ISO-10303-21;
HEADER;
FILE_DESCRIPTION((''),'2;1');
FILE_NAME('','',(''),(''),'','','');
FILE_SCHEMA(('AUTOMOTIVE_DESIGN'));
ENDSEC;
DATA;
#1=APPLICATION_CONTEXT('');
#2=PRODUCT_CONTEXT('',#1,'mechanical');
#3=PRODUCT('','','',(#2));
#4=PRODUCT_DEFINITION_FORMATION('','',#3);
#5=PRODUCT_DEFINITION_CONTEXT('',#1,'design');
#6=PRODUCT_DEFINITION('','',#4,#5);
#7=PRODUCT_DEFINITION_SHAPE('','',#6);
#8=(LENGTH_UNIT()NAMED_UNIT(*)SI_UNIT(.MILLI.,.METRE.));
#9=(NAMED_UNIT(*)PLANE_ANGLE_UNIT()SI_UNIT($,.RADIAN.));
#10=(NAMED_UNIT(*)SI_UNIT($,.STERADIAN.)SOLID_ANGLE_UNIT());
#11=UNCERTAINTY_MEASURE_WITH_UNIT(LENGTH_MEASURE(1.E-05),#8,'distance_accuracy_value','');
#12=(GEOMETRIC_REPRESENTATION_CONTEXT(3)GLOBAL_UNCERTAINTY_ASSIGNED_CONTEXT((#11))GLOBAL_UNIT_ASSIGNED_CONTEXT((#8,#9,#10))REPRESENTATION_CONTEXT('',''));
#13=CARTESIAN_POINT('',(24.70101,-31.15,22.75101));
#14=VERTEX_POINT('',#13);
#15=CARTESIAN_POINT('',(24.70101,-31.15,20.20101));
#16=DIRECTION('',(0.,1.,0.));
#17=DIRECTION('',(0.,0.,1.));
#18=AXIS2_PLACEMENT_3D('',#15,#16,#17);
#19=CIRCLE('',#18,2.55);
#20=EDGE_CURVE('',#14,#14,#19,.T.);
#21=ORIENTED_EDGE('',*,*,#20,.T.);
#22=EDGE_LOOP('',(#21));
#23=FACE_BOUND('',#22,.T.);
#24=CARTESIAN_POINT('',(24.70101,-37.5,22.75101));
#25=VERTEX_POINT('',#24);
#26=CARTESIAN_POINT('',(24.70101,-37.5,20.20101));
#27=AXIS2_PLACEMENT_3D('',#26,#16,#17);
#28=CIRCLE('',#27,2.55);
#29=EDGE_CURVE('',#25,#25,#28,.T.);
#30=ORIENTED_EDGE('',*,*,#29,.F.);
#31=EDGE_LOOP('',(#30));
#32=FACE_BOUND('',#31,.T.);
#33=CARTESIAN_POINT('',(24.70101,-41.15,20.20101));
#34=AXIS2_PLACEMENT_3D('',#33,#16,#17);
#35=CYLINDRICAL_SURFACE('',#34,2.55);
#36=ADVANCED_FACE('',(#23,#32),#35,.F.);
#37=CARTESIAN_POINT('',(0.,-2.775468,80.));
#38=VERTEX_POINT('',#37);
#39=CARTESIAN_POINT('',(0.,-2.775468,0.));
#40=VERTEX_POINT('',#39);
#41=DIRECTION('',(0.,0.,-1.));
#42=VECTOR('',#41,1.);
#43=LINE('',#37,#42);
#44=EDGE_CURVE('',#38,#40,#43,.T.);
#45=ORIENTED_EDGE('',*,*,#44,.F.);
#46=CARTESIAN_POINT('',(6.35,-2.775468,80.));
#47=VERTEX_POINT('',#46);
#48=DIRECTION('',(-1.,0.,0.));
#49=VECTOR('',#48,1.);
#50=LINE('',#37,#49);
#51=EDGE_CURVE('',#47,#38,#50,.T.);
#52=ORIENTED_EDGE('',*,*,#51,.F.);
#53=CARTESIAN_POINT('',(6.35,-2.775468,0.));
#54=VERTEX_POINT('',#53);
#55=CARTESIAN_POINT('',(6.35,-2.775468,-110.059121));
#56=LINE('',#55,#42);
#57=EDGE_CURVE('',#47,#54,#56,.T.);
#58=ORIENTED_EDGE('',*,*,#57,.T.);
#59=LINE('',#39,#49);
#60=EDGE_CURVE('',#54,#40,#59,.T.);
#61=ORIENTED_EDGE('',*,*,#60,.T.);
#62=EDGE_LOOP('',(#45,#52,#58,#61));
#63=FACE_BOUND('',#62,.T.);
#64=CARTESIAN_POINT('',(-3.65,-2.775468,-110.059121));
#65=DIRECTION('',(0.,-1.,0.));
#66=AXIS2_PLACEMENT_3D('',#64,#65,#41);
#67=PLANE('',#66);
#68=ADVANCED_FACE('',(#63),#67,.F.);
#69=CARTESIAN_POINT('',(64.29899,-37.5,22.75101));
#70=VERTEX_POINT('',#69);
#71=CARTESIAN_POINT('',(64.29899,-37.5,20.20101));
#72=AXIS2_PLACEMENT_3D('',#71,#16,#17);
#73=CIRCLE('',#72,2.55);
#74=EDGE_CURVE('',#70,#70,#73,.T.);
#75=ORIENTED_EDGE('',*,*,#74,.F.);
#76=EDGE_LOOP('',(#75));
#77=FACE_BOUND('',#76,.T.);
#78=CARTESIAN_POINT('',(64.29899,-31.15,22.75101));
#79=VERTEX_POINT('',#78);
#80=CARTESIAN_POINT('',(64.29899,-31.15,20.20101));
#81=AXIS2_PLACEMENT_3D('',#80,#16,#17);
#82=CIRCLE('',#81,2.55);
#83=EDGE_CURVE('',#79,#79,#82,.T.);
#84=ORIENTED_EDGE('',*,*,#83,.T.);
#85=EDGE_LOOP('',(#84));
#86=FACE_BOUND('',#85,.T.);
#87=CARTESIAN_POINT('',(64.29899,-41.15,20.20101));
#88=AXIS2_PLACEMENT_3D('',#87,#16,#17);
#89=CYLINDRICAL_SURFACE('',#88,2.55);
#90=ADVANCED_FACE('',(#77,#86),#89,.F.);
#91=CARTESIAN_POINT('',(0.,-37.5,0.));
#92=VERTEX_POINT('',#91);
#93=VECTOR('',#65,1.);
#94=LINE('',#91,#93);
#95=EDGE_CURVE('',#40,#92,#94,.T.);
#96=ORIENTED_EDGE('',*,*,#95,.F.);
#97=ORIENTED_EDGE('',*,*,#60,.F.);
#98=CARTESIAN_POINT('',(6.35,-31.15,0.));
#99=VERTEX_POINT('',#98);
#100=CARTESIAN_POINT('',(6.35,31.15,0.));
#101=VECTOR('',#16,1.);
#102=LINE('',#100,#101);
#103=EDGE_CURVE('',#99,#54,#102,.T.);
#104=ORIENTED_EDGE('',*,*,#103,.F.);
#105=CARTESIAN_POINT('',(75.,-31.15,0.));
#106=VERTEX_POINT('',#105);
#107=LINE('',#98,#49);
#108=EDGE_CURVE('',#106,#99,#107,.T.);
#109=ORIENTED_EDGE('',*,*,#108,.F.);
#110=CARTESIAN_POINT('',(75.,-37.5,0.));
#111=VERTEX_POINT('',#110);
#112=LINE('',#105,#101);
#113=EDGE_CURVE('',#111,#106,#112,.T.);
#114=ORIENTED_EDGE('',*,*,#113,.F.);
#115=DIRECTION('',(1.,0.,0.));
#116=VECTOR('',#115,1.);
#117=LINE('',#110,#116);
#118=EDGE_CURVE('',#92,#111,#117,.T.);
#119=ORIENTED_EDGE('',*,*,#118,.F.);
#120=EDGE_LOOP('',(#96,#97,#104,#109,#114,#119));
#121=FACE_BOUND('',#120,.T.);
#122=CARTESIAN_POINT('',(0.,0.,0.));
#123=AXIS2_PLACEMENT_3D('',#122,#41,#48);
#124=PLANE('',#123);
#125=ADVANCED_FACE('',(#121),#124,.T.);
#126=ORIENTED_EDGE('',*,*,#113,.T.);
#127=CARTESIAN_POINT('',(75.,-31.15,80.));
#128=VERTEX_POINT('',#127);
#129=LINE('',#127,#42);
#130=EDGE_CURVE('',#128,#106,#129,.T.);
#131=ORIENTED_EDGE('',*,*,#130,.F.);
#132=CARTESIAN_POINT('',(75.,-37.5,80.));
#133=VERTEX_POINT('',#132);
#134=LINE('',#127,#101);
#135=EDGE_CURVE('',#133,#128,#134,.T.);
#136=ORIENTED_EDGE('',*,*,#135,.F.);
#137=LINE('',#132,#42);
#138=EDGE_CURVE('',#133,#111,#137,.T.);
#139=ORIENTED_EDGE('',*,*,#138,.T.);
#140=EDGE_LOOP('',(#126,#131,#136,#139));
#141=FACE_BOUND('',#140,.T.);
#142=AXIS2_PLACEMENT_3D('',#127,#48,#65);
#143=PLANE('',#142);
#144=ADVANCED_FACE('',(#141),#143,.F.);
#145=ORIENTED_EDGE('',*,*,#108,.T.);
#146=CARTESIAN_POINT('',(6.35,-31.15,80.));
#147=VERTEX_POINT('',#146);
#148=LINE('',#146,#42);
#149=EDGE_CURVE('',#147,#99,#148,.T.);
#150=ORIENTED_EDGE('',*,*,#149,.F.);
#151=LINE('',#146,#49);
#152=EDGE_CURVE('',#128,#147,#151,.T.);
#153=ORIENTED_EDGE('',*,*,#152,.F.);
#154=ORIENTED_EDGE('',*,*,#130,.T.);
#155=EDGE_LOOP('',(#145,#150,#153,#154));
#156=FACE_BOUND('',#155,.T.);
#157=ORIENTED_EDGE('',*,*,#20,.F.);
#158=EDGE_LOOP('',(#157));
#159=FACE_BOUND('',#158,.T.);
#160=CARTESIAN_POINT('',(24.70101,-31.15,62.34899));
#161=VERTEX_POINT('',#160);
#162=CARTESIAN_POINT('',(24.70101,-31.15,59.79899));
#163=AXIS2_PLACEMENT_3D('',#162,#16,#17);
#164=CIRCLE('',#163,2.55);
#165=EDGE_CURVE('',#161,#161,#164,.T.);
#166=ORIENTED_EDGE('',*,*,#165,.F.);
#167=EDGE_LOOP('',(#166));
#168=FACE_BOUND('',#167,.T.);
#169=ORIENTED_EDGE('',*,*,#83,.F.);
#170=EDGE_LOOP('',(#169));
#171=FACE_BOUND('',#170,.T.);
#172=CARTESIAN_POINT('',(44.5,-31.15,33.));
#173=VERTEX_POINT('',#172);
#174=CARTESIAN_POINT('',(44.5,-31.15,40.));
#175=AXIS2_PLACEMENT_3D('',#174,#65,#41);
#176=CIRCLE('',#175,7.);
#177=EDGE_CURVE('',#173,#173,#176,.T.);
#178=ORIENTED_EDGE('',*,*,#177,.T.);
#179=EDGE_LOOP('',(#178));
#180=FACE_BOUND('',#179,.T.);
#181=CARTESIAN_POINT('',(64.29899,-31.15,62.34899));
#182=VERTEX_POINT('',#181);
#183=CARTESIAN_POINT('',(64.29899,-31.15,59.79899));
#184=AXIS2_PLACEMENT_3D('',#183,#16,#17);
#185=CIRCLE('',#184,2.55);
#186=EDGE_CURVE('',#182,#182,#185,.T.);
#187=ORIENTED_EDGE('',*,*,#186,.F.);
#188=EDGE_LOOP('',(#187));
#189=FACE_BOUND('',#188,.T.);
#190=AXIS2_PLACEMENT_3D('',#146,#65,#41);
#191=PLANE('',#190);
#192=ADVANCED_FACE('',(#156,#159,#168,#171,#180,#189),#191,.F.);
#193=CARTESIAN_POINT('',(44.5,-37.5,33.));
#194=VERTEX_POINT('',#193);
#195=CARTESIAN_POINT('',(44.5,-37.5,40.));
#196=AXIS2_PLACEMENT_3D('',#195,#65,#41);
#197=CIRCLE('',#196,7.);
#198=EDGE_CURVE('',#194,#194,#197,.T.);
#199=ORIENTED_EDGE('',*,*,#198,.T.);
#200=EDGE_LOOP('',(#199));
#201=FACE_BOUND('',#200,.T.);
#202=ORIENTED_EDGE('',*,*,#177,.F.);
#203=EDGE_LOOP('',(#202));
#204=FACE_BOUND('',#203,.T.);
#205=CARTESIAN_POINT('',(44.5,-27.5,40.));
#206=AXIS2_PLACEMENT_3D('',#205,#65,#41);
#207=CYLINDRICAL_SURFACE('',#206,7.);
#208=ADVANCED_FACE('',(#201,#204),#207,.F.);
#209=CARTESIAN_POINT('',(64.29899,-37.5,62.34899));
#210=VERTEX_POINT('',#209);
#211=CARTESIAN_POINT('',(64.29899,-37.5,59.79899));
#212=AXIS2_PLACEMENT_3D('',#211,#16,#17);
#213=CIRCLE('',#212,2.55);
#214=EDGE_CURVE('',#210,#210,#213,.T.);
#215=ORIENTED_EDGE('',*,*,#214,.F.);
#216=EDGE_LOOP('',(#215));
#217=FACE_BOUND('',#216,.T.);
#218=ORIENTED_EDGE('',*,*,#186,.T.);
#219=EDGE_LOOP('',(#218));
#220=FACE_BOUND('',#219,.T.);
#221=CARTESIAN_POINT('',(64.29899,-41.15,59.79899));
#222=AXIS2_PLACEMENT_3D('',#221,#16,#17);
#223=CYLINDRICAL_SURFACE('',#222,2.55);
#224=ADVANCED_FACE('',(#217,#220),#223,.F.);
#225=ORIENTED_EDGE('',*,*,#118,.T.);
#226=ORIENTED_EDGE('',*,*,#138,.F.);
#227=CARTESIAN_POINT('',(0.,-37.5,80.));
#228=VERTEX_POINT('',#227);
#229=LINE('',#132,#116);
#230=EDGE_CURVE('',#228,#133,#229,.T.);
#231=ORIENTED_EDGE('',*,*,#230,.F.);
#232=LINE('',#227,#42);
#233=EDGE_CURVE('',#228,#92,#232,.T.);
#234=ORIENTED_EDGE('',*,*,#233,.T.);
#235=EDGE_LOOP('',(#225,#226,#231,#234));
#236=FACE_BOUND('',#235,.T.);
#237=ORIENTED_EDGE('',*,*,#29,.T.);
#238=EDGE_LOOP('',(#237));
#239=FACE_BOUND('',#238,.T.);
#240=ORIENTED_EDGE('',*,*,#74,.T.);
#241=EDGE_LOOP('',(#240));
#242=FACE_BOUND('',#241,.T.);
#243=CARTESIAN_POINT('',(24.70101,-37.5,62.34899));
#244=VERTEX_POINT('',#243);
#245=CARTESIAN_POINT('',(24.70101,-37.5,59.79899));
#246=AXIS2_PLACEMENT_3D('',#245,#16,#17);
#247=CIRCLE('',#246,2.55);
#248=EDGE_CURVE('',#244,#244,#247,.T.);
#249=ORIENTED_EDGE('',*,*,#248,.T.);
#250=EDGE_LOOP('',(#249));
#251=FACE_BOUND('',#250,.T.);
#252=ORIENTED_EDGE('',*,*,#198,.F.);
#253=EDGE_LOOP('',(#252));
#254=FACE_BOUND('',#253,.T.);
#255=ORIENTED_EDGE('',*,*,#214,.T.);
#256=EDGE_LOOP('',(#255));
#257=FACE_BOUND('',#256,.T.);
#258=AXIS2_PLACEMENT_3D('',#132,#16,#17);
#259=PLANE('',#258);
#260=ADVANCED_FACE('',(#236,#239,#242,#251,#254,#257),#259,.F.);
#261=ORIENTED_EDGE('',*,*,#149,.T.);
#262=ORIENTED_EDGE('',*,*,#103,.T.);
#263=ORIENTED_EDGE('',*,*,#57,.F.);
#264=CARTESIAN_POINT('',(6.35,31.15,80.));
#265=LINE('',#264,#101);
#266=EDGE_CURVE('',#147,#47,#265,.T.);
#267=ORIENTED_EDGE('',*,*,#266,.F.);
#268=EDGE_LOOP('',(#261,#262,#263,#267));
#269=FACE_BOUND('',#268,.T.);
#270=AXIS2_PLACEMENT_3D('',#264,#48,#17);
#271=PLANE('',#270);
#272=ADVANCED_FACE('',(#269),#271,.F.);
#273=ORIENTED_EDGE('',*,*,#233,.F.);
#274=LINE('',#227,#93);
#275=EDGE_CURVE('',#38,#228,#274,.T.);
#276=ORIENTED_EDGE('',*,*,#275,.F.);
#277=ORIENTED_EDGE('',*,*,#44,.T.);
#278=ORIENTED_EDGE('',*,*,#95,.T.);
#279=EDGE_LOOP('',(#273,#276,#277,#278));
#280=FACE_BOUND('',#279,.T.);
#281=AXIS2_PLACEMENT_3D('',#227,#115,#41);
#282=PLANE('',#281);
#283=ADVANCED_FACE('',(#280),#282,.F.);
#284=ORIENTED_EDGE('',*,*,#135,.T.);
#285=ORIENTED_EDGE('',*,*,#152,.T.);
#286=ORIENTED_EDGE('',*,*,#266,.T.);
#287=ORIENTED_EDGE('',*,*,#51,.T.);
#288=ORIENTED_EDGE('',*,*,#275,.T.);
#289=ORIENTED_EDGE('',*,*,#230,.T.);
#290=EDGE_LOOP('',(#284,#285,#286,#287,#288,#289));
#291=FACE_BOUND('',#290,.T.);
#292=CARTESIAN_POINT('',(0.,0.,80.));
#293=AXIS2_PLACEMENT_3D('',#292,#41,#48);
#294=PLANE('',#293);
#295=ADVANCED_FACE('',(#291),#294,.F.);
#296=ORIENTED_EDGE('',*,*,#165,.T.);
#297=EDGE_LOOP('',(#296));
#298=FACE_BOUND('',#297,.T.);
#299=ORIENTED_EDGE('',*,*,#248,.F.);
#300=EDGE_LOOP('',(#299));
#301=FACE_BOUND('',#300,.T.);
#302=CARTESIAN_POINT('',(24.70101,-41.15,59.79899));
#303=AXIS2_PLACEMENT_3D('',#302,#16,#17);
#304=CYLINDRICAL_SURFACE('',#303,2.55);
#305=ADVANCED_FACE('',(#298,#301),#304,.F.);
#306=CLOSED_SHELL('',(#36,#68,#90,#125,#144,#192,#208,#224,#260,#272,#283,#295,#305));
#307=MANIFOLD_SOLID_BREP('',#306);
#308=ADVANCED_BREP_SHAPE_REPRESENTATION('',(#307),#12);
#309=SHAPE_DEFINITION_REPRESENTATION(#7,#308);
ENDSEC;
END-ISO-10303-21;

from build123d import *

# Parameters (mm, degrees)
BOSS_EXTRUDE1_DEPTH = 80
SKETCH2_W           = 68.65
SKETCH2_H           = 80
CUT_EXTRUDE1_DEPTH  = 10
SKETCH3_R           = 7
CUT_EXTRUDE2_DEPTH  = 10
SKETCH4_R           = 2.55
CUT_EXTRUDE3_DEPTH  = 10
SKETCH5_W           = 278.618693002
SKETCH5_H           = 61.467749786
CUT_EXTRUDE4_DEPTH  = 10


with BuildPart() as part:
    # Sketch1 → Boss-Extrude1 (new body)
    with BuildSketch(Plane.XY):
        Polygon((0, -37.5), (0, 37.5), (75, 37.5), (75, 31.15), (6.35, 31.15), (6.35, -31.15), (75, -31.15), (75, -37.5), align=None)
    extrude(amount=BOSS_EXTRUDE1_DEPTH)

    # Sketch2 → Cut-Extrude1 (cut)
    with BuildSketch(Plane(origin=(0, 37.5, 0), x_dir=(1, 0, 0), z_dir=(0, 1, 0))):
        with Locations((40.675, -40)):
            Rectangle(SKETCH2_W, SKETCH2_H)
    extrude(amount=-CUT_EXTRUDE1_DEPTH, mode=Mode.SUBTRACT)

    # Sketch3 → Cut-Extrude2 (cut)
    with BuildSketch(Plane.XZ.offset(37.5)):
        with Locations(Location((44.5, 40, 0), (0, 0, 270))):
            Circle(SKETCH3_R)
    extrude(amount=-CUT_EXTRUDE2_DEPTH, mode=Mode.SUBTRACT)

    # Sketch4 → Cut-Extrude3 (cut)
    with BuildSketch(Plane(origin=(0, -31.15, 0), x_dir=(1, 0, 0), z_dir=(0, 1, 0))):
        with Locations(Location((64.298989873, -20.201010127, 0), (0, 0, 270))):
            Circle(SKETCH4_R)
        with Locations(Location((64.298989873, -59.798989873, 0), (0, 0, 270))):
            Circle(SKETCH4_R)
        with Locations(Location((24.701010127, -59.798989873, 0), (0, 0, 270))):
            Circle(SKETCH4_R)
        with Locations(Location((24.701010127, -20.201010127, 0), (0, 0, 270))):
            Circle(SKETCH4_R)
    extrude(amount=-CUT_EXTRUDE3_DEPTH, mode=Mode.SUBTRACT)

    # Sketch5 → Cut-Extrude4 (cut)
    with BuildSketch(Plane(origin=(6.35, 0, 0), x_dir=(0, 0, -1), z_dir=(1, 0, 0))):
        with Locations((-29.250225685, 27.958406515)):
            Rectangle(SKETCH5_W, SKETCH5_H)
    extrude(amount=-CUT_EXTRUDE4_DEPTH, mode=Mode.SUBTRACT)


solid = part.part
